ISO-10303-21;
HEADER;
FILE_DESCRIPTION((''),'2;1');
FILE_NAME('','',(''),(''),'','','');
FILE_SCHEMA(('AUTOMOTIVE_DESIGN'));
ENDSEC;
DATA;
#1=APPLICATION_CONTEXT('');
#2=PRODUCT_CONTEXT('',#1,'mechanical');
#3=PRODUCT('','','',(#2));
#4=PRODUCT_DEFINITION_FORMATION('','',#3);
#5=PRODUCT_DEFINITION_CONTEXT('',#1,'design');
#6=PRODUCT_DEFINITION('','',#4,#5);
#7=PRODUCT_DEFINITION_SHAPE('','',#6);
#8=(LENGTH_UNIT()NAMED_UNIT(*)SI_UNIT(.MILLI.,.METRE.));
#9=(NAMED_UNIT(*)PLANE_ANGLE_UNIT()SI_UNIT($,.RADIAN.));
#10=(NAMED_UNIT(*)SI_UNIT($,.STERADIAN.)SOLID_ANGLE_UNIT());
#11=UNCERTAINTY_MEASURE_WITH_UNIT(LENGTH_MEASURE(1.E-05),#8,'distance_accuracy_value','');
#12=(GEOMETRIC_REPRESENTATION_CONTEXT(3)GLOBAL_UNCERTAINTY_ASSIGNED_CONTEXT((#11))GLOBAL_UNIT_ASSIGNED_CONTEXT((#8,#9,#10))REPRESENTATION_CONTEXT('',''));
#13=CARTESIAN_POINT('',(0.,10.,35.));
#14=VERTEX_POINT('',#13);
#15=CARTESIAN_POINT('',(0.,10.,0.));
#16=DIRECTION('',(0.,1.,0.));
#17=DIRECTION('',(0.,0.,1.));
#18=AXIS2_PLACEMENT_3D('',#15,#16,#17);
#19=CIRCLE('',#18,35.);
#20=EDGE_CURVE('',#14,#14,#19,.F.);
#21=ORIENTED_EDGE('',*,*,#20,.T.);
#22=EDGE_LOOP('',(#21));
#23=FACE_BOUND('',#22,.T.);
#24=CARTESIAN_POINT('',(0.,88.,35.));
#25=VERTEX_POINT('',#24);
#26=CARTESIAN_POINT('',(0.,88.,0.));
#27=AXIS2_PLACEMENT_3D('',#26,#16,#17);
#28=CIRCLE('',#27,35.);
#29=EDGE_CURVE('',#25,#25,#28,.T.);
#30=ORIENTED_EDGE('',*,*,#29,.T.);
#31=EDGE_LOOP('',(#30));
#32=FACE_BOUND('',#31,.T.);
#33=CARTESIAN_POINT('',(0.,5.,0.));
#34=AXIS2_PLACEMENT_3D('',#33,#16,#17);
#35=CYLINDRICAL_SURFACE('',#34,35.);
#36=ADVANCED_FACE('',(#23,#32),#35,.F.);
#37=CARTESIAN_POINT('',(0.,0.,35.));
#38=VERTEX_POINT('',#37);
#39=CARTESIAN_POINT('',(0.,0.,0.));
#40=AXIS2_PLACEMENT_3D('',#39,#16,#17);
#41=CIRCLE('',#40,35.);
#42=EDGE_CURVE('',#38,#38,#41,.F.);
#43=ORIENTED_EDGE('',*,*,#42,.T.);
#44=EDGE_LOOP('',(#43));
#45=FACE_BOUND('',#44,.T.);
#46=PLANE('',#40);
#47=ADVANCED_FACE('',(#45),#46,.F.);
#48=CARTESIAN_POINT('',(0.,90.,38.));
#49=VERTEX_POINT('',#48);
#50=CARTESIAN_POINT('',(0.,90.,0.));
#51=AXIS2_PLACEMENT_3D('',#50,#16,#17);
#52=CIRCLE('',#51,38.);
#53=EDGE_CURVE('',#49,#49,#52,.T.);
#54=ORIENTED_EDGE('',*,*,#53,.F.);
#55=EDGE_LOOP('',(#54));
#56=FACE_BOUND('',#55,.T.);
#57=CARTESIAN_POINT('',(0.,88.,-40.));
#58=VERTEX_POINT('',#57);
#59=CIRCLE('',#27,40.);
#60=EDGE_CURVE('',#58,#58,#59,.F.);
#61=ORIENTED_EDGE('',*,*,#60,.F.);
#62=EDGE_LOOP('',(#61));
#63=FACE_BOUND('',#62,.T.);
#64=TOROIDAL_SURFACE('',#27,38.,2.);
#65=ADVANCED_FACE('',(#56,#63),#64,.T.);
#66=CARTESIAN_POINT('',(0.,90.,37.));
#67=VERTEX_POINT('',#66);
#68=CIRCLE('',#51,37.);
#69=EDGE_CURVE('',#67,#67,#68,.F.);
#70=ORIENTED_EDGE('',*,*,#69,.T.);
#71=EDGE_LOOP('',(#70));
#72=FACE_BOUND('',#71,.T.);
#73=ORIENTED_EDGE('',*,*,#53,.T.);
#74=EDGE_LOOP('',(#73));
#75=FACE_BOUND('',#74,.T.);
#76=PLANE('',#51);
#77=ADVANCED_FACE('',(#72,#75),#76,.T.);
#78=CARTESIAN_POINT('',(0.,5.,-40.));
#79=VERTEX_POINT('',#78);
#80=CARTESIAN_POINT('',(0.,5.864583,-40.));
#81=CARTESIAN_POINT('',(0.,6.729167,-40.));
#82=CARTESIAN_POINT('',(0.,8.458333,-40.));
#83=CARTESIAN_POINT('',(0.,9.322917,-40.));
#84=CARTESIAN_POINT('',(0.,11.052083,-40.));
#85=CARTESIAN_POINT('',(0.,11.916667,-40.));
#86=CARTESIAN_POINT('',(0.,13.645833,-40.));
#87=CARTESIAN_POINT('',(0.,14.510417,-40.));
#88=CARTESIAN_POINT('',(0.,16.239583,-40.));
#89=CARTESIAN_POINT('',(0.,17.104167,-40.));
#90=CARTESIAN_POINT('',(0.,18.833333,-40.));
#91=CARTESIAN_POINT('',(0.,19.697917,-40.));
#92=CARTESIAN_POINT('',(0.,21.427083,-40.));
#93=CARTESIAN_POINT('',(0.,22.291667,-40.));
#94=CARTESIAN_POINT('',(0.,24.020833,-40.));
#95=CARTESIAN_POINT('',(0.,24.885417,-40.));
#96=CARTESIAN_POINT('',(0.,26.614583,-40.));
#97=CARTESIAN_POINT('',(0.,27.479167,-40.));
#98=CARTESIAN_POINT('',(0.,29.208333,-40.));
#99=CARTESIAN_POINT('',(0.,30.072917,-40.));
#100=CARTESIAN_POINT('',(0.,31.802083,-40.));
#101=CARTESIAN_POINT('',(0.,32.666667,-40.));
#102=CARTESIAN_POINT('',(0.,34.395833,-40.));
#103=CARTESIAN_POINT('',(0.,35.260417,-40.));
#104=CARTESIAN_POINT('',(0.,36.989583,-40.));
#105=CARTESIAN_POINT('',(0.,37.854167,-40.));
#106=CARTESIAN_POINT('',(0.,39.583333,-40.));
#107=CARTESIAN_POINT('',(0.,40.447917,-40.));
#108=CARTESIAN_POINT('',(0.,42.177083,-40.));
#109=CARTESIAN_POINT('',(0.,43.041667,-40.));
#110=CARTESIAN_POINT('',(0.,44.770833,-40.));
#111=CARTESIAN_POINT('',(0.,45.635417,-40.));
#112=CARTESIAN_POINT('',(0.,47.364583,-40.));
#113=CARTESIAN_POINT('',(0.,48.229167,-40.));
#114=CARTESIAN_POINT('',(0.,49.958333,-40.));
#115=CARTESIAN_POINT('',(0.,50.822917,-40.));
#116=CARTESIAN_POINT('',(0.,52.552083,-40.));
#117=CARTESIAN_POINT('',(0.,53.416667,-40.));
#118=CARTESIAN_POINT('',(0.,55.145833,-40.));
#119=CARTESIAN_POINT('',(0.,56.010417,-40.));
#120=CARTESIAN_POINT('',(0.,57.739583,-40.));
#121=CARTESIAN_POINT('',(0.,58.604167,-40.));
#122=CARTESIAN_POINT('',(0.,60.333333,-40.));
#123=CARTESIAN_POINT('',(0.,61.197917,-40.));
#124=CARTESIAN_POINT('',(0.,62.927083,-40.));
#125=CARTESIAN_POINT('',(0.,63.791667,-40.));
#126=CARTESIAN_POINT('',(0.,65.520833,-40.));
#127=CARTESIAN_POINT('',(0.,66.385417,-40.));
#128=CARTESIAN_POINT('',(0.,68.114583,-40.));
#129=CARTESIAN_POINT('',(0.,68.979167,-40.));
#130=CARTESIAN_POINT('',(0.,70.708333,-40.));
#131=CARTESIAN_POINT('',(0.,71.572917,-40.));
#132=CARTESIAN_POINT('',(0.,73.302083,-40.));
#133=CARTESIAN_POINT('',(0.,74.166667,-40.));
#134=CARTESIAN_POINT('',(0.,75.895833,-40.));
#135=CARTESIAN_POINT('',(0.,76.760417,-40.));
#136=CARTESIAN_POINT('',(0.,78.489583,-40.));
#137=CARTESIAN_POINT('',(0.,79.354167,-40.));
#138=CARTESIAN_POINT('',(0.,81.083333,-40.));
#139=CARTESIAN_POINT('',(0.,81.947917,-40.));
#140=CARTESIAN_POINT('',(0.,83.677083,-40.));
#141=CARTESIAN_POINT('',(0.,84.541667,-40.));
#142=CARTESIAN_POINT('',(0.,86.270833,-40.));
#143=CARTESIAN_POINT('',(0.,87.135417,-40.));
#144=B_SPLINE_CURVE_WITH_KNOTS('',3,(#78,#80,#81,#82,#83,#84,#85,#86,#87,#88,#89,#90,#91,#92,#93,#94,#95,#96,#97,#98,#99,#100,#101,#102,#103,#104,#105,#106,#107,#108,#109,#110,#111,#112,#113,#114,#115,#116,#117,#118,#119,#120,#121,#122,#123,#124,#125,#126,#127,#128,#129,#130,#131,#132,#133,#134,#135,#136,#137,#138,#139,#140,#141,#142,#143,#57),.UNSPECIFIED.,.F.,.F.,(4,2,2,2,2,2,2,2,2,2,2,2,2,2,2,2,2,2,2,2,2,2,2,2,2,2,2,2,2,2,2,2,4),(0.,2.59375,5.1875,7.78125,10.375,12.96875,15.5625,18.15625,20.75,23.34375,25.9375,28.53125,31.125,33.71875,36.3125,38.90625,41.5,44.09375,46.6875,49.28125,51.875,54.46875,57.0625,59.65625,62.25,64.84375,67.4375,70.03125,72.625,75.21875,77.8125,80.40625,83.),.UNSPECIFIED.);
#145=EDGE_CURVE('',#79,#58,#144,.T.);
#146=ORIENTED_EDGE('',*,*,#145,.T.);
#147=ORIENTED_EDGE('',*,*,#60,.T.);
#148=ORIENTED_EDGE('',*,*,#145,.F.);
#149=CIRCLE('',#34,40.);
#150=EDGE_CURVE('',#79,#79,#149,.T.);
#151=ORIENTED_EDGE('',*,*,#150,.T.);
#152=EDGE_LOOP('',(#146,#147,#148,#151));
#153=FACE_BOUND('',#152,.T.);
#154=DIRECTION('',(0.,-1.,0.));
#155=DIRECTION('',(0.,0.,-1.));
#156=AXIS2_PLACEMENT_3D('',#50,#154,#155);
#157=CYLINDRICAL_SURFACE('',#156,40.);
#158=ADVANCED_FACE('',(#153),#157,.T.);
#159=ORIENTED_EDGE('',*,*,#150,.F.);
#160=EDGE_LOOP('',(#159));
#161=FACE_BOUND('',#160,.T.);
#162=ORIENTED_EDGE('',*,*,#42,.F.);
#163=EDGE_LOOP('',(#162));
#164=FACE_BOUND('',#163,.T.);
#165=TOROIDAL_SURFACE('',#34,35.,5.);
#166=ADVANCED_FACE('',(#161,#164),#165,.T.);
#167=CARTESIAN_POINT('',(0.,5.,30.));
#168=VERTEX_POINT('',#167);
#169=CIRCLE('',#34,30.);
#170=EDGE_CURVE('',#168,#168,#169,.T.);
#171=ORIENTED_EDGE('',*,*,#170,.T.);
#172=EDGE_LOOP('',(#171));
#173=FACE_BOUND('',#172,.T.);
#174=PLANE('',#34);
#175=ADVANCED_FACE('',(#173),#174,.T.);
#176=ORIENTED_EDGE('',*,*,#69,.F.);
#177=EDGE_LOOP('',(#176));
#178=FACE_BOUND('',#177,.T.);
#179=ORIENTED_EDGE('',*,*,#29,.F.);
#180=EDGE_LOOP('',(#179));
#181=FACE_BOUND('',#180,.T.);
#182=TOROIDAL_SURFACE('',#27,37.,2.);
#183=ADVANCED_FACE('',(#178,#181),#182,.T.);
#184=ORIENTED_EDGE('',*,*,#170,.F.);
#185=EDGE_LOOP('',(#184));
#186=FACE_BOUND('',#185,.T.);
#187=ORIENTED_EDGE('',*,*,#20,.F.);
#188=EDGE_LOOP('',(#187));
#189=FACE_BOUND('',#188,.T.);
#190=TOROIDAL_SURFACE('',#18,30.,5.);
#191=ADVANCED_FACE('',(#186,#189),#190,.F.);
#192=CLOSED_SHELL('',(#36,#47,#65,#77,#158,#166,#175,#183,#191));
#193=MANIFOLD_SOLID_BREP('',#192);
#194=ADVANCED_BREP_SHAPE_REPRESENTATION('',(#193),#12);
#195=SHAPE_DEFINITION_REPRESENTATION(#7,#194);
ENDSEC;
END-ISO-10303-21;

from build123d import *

# Parameters (mm, degrees)
SKETCH1_R           = 40
BOSS_EXTRUDE1_DEPTH = 90
SKETCH2_R           = 35
CUT_EXTRUDE1_DEPTH  = 85
FILLET1_R           = 2
FILLET2_R           = 5


with BuildPart() as part:
    # Sketch1 → Boss-Extrude1 (new body)
    with BuildSketch(Plane(origin=(0, 0, 0), x_dir=(1, 0, 0), z_dir=(0, 1, 0))):
        with Locations(Location((0, 0, 0), (0, 0, 90))):
            Circle(SKETCH1_R)
    extrude(amount=BOSS_EXTRUDE1_DEPTH)

    # Sketch2 → Cut-Extrude1 (cut)
    with BuildSketch(Plane(origin=(0, 90, 0), x_dir=(1, 0, 0), z_dir=(0, 1, 0))):
        with Locations(Location((0, 0, 0), (0, 0, 270))):
            Circle(SKETCH2_R)
    extrude(amount=-CUT_EXTRUDE1_DEPTH, mode=Mode.SUBTRACT)

    # Fillet1
    fillet1_edges = [part.edges().sort_by_distance(p)[0] for p in [
        (0, 90, 40),
        (0, 90, -35),
    ]]
    fillet(fillet1_edges, radius=FILLET1_R)

    # Fillet2
    fillet2_edges = [part.edges().sort_by_distance(p)[0] for p in [
        (0, 0, 40),
        (0, 5, -35),
    ]]
    fillet(fillet2_edges, radius=FILLET2_R)


solid = part.part
